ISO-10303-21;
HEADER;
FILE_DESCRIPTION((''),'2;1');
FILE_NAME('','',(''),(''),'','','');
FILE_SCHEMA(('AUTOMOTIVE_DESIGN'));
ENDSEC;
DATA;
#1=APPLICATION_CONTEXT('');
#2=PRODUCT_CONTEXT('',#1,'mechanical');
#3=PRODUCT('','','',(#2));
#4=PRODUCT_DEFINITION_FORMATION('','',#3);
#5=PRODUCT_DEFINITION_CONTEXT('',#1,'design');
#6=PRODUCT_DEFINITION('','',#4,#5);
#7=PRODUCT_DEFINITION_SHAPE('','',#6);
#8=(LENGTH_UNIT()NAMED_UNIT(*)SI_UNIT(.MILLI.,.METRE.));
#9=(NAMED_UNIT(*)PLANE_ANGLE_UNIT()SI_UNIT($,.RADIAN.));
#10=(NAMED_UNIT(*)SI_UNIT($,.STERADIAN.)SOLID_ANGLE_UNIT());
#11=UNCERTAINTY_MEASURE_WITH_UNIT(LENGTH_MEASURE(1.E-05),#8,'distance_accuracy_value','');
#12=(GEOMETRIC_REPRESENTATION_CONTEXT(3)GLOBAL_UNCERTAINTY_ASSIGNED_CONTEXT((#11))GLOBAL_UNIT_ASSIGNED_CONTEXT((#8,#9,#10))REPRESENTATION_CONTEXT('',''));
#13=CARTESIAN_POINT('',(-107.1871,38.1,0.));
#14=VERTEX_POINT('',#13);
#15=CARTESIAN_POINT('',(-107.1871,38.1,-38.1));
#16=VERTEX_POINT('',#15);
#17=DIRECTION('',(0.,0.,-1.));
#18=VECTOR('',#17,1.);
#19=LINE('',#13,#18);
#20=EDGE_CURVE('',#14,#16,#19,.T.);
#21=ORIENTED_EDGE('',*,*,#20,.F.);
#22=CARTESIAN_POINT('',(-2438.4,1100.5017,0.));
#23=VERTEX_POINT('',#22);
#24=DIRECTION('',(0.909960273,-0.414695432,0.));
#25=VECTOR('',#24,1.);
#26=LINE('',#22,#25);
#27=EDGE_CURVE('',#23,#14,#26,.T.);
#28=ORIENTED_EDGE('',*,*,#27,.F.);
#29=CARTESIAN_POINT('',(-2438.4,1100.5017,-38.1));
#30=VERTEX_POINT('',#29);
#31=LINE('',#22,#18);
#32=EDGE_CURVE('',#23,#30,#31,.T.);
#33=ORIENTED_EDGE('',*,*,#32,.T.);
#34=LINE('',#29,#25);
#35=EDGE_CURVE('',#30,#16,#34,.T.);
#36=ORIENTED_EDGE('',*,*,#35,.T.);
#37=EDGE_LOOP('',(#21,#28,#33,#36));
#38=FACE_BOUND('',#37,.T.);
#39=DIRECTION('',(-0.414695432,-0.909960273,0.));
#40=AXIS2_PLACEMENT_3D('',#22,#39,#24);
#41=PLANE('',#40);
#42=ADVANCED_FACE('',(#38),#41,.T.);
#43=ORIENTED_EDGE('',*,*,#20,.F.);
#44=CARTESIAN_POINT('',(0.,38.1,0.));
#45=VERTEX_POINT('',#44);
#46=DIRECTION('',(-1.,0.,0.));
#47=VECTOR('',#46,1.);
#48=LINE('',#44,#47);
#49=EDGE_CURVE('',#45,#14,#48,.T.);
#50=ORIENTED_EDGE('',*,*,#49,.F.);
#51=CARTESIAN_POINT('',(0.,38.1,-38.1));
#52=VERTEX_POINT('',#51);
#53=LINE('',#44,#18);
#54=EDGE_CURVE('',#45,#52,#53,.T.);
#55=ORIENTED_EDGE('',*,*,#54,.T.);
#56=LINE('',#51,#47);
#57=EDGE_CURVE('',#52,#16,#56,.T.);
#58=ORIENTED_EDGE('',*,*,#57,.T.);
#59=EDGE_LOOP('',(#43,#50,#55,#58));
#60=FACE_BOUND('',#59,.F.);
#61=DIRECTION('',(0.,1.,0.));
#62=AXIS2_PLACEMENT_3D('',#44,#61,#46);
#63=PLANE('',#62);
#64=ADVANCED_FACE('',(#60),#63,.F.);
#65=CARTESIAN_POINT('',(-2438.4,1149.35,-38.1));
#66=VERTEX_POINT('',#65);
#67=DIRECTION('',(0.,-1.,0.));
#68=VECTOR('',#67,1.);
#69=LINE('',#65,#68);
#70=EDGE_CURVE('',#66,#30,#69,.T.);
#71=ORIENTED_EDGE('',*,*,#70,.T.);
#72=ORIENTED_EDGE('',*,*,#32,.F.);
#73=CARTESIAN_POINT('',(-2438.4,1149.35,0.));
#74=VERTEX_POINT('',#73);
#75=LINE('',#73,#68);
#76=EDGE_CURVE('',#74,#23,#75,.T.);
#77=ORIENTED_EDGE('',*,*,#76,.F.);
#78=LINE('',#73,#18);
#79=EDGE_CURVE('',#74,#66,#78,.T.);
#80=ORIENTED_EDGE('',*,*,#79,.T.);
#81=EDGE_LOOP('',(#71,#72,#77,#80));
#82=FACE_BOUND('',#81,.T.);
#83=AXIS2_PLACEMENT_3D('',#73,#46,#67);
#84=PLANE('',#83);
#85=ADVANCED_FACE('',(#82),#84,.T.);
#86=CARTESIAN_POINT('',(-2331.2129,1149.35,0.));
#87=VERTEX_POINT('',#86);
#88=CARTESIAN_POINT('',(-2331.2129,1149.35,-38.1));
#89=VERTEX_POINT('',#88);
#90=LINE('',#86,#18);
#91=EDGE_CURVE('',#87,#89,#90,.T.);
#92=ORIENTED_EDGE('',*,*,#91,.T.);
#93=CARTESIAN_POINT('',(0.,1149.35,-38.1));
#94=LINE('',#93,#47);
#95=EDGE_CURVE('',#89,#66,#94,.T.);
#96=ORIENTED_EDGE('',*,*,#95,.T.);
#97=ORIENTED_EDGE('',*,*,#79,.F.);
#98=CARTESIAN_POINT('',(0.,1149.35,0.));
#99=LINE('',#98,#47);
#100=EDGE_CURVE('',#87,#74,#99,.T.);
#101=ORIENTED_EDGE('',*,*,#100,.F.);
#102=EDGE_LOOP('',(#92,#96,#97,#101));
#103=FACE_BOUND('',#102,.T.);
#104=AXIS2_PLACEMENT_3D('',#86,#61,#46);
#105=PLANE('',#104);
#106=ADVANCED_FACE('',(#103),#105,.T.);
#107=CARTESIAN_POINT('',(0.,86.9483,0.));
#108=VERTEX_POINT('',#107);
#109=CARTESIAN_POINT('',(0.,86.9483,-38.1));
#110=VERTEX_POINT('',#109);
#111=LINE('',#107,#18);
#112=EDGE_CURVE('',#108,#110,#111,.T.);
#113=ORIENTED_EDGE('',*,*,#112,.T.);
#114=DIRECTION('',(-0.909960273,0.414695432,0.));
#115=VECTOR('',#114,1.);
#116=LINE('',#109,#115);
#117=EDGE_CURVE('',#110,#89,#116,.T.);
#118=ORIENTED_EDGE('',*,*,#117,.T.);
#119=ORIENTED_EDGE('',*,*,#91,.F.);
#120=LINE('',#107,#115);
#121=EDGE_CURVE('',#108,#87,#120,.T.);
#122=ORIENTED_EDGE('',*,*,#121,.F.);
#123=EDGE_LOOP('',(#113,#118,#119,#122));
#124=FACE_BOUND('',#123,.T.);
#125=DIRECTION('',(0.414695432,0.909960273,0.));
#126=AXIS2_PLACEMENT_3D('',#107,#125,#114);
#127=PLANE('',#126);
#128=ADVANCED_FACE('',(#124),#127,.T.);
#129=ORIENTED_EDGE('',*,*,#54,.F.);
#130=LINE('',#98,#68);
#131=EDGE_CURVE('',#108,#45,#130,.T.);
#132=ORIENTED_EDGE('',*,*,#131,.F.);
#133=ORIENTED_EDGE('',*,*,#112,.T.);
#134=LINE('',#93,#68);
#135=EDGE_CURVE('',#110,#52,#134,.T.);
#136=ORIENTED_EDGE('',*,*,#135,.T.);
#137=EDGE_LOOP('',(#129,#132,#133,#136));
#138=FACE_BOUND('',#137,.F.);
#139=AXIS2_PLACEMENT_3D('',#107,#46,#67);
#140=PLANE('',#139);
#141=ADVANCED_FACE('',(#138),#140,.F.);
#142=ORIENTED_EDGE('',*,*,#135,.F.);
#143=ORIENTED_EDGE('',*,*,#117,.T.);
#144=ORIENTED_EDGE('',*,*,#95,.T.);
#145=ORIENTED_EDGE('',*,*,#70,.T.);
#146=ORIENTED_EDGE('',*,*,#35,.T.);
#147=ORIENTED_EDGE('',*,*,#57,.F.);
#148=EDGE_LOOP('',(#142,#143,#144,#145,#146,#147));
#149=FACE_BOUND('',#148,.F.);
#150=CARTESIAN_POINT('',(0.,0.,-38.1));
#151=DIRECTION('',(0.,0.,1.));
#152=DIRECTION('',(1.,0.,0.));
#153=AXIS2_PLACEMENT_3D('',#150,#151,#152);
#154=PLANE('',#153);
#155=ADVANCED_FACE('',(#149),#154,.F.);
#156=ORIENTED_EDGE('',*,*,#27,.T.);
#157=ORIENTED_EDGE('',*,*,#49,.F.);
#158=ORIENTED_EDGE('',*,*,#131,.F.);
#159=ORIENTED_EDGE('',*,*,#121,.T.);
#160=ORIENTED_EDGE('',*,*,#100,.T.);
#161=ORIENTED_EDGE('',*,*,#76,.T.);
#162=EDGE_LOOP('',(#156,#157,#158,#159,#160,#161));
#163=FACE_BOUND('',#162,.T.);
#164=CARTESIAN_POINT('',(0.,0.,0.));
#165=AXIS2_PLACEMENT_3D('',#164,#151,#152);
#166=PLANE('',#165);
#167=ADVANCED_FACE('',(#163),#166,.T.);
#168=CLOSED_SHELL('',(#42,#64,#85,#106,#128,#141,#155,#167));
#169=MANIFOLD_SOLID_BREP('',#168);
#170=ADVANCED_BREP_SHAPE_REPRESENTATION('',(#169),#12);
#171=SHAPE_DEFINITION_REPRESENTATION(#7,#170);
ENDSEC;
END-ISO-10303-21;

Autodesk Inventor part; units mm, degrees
ref_plane "YZ Plane" through (0, 0, 0) normal (1, 0, 0) x (0, 1, 0)
ref_plane "XZ Plane" through (0, 0, 0) normal (0, 1, 0) x (-1, 0, 0)
ref_plane "XY Plane" through (0, 0, 0) normal (0, 0, 1) x (1, 0, 0)
sketch "Sketch1" plane through (0, 0, 0) normal (0, 0, 1) x (1, 0, 0)
  line L0 (0, 38.1) -> (-2438.4, 38.1) projected
  line L1 (0, 1149.35) -> (0, -1111.25) projected
  line L2 (0, 0) -> (-2438.4, 0) projected
  line L3 (-2438.4, 1149.35) -> (-2438.4, -1111.25) projected
  line L4 (0, 1149.35) -> (-2438.4, 1149.35) projected
  line L5 (0, 86.9483) -> (-2331.2129, 1149.35)
  line L6 (-2438.4, 1100.5017) -> (-107.1871, 38.1)
  line L7 (-2331.2129, 1149.35) -> (-2438.4, 1149.35)
  line L8 (-2438.4, 1100.5017) -> (-2438.4, 1149.35)
  line L9 (0, 86.9483) -> (0, 38.1)
  line L10 (-107.1871, 38.1) -> (0, 38.1)
extrude "Extrusion1" add sketch "Sketch1" against normal blind 38.1 contours L0 L6 L3 L4 L5 L1
properties part number "s48x2x4b"
